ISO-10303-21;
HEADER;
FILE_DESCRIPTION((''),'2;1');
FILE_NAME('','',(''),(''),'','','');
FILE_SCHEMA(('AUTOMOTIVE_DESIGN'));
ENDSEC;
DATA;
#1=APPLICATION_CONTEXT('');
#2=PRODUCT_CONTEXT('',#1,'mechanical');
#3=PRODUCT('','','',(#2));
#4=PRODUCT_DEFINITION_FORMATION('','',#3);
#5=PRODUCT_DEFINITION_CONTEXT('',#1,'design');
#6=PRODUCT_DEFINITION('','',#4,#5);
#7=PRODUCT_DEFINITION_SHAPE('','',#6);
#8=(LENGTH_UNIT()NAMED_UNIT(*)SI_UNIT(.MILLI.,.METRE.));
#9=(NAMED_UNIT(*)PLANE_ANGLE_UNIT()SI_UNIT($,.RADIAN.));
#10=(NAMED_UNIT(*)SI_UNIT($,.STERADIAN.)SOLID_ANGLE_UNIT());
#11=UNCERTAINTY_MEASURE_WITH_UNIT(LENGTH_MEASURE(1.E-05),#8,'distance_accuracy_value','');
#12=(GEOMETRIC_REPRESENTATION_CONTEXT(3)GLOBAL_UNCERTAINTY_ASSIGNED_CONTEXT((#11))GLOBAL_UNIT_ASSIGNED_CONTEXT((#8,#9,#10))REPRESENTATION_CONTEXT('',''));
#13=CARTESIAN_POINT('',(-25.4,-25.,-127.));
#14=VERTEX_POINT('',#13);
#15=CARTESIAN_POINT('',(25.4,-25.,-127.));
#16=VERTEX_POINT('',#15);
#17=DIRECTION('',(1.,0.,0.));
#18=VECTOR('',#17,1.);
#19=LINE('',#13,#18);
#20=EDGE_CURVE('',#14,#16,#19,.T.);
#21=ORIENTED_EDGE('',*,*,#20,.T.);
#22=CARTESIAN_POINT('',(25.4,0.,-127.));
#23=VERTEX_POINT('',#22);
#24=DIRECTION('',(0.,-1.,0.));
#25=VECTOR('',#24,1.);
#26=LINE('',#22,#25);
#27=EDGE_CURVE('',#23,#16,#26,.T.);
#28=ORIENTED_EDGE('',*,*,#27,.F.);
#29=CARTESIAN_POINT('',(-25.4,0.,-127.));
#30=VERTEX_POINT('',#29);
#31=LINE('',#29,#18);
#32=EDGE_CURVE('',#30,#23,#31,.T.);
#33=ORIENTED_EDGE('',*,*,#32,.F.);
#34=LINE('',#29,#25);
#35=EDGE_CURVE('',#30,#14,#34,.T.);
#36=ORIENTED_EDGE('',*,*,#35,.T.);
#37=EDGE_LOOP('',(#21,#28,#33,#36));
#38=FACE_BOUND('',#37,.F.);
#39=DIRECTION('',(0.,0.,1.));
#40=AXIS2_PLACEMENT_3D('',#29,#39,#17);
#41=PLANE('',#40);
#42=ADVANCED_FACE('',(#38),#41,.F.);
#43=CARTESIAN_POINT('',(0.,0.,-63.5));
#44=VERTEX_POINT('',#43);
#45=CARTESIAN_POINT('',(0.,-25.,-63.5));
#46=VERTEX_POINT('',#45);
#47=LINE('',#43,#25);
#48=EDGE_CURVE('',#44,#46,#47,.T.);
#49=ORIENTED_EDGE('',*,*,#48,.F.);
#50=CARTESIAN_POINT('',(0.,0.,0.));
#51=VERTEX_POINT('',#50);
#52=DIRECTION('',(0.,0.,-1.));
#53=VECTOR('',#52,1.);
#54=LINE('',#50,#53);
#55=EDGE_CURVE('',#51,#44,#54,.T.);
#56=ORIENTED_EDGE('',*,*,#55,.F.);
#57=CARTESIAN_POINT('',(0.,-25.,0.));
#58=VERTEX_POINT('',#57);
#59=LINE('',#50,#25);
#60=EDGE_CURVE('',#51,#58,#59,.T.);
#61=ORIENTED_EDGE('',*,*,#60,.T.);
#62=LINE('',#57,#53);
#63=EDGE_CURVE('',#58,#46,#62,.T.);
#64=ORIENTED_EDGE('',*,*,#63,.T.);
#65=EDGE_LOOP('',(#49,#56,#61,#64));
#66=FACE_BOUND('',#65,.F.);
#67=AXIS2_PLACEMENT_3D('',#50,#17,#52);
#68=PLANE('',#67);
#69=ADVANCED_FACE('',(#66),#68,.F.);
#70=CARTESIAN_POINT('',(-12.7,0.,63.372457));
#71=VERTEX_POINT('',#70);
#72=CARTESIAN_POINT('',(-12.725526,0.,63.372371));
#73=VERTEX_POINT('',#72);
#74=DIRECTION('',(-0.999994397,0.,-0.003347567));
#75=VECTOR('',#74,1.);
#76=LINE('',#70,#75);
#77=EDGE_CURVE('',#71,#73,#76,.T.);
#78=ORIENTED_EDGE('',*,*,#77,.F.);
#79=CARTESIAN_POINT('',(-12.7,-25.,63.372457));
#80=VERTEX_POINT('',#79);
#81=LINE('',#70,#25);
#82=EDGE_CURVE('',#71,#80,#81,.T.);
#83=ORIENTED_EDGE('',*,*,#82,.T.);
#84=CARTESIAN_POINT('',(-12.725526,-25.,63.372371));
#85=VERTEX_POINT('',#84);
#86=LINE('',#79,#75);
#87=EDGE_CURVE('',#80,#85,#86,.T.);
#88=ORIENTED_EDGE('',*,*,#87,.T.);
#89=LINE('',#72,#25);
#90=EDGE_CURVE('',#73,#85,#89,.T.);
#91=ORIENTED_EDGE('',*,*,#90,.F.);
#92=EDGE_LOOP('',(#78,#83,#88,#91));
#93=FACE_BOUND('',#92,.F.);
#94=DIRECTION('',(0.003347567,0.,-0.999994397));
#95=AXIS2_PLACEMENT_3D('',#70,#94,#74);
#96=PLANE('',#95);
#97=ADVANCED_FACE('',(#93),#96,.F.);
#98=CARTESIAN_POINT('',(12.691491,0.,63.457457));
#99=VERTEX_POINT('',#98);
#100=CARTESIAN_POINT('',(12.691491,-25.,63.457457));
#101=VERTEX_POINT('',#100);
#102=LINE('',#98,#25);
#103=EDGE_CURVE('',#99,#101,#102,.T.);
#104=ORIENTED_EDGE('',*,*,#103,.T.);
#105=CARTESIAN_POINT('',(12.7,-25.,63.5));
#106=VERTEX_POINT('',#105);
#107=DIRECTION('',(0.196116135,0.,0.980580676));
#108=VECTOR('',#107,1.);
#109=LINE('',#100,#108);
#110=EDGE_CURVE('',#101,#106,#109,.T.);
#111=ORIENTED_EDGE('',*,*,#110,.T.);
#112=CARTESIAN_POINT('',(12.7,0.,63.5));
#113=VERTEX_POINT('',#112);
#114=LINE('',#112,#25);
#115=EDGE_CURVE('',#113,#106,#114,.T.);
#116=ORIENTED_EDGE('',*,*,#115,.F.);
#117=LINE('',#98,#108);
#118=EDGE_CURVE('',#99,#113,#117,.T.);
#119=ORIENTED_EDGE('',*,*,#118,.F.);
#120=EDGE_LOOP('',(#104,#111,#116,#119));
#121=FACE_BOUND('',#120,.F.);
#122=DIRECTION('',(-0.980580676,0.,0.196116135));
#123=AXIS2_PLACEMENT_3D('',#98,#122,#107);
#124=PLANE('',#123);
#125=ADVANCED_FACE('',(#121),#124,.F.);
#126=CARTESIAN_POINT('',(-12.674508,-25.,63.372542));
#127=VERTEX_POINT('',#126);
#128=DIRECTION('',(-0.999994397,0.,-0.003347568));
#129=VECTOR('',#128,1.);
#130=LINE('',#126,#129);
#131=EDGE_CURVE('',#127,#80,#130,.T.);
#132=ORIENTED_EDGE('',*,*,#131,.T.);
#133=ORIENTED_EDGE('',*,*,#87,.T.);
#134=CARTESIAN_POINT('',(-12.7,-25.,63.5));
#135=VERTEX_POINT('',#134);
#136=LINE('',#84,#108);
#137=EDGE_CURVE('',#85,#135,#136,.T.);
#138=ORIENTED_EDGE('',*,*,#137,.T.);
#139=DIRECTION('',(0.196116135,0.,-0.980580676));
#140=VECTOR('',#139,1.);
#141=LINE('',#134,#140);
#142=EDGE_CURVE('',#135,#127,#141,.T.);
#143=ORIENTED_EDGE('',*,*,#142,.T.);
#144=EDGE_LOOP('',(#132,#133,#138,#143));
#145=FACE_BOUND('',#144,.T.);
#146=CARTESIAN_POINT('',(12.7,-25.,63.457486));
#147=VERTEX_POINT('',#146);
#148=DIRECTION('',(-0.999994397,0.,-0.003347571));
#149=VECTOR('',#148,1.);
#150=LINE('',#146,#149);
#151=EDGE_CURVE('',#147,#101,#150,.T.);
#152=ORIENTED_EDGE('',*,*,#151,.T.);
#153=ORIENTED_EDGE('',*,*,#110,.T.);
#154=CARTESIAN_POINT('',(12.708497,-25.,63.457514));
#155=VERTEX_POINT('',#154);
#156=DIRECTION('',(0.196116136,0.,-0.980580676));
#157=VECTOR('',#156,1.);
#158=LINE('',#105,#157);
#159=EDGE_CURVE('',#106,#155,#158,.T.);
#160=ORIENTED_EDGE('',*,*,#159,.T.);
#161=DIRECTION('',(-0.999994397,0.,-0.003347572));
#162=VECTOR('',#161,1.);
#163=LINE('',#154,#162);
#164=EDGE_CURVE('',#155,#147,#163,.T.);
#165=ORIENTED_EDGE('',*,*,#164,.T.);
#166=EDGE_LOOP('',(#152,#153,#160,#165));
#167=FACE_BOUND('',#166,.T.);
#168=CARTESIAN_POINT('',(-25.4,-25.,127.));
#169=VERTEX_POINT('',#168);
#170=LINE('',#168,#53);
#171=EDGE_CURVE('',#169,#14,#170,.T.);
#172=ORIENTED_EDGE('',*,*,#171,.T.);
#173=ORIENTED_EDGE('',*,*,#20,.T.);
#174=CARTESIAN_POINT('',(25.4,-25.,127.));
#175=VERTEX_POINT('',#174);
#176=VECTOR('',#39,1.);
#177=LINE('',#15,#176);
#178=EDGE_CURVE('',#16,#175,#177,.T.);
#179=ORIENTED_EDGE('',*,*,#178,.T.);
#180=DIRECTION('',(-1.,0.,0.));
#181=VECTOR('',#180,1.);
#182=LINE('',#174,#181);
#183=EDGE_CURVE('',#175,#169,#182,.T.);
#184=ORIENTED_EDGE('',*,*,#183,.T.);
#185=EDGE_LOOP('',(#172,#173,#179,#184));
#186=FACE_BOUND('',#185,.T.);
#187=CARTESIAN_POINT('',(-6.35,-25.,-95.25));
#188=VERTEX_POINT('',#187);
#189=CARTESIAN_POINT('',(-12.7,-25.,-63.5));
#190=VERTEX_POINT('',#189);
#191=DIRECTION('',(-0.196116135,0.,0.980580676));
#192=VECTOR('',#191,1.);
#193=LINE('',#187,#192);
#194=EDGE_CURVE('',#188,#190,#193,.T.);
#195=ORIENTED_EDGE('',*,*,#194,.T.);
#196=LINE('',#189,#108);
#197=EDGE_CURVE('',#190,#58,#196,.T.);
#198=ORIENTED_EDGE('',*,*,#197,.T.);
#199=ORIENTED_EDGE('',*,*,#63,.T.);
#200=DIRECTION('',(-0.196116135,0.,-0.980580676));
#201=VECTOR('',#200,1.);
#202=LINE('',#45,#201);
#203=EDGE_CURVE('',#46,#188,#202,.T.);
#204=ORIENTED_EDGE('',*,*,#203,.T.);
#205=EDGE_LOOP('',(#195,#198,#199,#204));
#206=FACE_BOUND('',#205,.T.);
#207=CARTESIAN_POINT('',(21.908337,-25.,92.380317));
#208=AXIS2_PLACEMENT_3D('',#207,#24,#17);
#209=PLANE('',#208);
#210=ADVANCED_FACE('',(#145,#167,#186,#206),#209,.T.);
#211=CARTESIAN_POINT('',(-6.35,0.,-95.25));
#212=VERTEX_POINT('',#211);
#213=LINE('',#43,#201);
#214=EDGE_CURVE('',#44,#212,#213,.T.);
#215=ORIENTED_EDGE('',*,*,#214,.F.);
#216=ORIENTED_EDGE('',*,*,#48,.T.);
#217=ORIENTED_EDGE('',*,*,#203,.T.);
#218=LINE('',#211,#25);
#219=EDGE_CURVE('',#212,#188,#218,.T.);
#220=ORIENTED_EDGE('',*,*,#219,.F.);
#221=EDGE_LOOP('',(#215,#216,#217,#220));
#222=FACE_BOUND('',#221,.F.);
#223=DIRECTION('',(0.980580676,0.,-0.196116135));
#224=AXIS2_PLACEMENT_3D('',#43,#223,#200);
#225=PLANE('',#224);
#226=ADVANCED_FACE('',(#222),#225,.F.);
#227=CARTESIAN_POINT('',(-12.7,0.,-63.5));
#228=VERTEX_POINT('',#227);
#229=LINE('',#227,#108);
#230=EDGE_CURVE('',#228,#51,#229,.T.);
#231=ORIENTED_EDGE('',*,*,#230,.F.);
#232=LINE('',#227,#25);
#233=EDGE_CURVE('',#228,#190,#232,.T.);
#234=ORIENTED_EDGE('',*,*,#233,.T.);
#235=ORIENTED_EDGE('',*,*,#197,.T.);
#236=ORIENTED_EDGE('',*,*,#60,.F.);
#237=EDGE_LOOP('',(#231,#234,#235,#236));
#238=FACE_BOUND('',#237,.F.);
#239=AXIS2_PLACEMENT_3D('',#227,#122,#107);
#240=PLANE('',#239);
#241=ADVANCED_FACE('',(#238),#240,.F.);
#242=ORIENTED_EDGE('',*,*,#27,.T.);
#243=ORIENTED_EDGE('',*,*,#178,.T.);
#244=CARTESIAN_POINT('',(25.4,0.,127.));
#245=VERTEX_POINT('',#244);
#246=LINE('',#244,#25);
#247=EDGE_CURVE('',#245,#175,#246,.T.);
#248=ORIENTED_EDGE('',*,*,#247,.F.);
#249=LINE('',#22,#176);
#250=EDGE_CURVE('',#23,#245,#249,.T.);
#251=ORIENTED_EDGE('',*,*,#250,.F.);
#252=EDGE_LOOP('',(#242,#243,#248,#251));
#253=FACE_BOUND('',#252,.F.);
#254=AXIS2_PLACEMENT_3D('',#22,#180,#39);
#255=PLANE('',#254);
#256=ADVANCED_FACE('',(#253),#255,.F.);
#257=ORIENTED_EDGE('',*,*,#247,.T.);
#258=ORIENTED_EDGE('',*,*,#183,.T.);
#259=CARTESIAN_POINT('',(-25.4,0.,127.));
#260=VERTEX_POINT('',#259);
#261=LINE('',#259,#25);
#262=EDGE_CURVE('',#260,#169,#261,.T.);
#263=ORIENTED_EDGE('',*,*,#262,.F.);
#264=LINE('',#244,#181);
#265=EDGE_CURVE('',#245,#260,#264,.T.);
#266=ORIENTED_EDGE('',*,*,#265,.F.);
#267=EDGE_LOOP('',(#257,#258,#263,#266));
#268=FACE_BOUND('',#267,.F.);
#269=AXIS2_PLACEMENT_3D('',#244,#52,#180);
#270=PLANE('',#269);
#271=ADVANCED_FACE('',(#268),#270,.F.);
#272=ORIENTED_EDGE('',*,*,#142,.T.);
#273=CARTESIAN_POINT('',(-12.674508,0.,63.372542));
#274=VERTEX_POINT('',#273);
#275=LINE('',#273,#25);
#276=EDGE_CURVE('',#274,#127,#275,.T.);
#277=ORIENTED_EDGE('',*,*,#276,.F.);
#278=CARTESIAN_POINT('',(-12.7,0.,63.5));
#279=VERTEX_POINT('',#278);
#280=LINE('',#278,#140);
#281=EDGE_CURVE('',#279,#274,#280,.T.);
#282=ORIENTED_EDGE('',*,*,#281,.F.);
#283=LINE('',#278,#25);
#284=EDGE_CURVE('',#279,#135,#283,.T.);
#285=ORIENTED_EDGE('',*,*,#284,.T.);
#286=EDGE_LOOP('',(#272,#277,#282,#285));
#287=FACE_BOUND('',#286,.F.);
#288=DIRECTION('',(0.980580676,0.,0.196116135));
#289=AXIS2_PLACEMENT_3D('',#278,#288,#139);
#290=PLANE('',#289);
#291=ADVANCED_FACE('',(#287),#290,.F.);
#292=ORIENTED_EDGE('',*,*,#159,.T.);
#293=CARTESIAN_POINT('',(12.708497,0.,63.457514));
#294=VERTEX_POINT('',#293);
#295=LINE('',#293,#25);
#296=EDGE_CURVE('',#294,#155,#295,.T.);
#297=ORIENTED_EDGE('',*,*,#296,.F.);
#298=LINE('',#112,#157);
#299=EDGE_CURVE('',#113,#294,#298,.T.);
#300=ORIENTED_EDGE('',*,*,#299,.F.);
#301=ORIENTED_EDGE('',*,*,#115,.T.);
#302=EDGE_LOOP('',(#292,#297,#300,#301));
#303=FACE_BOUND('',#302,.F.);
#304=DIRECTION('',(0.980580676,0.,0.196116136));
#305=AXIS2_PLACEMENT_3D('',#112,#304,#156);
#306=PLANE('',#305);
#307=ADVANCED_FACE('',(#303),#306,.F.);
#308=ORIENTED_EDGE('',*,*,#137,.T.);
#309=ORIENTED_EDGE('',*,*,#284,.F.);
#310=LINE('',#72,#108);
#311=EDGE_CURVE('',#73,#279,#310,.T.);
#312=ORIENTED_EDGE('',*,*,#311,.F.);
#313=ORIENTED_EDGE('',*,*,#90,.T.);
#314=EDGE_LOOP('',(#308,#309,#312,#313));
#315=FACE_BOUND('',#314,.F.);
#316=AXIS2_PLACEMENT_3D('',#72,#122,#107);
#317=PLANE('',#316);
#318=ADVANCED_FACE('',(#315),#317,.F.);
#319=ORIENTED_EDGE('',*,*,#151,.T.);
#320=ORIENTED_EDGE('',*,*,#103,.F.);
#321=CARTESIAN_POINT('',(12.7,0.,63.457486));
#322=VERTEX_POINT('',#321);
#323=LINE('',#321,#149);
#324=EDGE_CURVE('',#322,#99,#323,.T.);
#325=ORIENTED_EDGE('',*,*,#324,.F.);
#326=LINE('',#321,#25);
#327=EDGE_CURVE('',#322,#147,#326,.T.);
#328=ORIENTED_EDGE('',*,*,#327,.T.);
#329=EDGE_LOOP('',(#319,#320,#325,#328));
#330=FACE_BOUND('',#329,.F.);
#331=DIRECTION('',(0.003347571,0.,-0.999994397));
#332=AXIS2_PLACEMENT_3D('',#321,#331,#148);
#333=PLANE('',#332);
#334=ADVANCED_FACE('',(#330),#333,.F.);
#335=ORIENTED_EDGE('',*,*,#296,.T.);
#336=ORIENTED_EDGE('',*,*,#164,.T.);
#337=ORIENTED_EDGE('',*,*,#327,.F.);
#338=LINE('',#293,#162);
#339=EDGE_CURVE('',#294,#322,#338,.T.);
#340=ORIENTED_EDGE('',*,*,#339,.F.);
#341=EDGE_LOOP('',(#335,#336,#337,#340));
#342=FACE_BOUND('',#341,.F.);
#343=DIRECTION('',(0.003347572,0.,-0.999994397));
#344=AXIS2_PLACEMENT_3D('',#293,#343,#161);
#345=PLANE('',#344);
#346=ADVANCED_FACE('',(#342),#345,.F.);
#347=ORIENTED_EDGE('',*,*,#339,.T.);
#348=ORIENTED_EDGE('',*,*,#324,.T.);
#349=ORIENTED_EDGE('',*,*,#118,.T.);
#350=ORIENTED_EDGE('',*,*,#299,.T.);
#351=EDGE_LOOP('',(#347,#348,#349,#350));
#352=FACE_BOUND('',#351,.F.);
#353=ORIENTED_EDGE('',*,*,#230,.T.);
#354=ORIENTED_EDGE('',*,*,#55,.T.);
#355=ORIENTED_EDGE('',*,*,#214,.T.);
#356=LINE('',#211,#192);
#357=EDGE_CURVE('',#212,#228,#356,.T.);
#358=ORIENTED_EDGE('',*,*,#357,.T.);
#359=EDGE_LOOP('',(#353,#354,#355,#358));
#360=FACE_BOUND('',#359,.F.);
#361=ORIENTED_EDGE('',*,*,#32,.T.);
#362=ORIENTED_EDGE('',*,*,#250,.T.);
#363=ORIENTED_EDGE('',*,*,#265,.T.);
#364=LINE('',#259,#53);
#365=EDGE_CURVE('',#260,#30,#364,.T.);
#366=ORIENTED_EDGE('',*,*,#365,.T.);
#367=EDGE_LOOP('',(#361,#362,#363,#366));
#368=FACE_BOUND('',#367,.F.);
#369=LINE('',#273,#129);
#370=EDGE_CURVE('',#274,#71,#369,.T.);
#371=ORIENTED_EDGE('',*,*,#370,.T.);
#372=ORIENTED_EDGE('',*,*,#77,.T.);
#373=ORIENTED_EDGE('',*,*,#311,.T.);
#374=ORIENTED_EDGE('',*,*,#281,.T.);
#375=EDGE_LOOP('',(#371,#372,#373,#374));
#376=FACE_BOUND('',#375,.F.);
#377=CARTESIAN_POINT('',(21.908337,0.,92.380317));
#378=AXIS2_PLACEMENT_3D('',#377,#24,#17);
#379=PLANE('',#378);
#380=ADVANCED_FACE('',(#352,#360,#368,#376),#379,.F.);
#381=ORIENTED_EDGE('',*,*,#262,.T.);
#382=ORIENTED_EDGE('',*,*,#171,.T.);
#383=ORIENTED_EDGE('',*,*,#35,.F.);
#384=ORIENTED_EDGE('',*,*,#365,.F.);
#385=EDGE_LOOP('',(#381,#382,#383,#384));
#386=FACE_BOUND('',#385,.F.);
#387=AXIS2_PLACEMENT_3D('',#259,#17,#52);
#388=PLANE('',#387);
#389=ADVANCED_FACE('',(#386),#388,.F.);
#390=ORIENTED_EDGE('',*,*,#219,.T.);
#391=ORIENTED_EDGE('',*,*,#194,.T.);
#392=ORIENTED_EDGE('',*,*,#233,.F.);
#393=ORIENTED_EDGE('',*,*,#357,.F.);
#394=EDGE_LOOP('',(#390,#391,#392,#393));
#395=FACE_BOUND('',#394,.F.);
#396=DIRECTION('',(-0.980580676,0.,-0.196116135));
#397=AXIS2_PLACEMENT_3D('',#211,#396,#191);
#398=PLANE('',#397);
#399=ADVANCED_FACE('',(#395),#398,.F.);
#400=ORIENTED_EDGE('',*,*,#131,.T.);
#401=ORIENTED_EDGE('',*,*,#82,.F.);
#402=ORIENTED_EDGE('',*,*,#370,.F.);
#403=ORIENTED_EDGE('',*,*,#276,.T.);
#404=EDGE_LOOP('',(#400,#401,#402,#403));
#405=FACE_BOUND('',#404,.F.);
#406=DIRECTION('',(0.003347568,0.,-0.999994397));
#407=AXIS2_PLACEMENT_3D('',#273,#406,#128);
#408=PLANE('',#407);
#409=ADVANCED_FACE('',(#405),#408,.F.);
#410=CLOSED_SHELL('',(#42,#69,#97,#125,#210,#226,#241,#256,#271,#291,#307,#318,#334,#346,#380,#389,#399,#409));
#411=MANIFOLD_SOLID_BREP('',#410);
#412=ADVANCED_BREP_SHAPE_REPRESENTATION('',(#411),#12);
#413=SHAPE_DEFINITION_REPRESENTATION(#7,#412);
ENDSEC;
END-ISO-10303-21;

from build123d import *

# Parameters (mm, degrees)
F1_DEPTH = 25
F2_DEPTH = 151.7347842455


with BuildPart() as f1:
    # F0 (on Front) → F1 (new body)
    with BuildSketch(Plane.XZ):
        Polygon((12.7084971848, 63.4575140762), (25.4, 63.5), (25.4, 127), (12.7, 63.5), align=None)
        Polygon((0, 0), (6.35, -31.75), (12.7, 0), align=None)
        Polygon((12.7, -127), (25.4, -127), (12.7, -63.5), align=None)
        Polygon((12.7, 63.5), (25.4, 127), (12.7, 127), align=None)
        Polygon((0, -127), (12.7, -127), (12.7, -63.5), align=None)
        Polygon((0, -63.5), (6.35, -31.75), (0, 0), align=None)
        Polygon((-12.7, -63.5), (-12.7, -127), (-6.35, -95.25), align=None)
        Polygon((12.7, -63.5), (25.4, -127), (25.4, -63.5), align=None)
        Polygon((12.7, -63.5), (25.4, -63.5), (25.4, 0), align=None)
        Polygon((0, 0), (12.7, 0), (12.7, 63.4574856311), (12.6914914296, 63.4574571479), align=None)
        Polygon((-25.4, -127), (-12.7, -63.5), (-25.4, -63.5), align=None)
        Polygon((-25.4, -127), (-12.7, -127), (-12.7, -63.5), align=None)
        Polygon((-12.7, -63.5), (0, 0), (-12.7, 0), align=None)
        Polygon((-25.4, 127), (-12.7, 63.5), (-12.7, 127), align=None)
        Polygon((-12.7, 0), (0, 0), (-12.6745084457, 63.3725422285), (-12.7, 63.3724568933), align=None)
        Polygon((0, -63.5), (12.7, -63.5), (6.35, -31.75), align=None)
        Polygon((0, 127), (12.7, 63.5), (12.7, 127), align=None)
        Polygon((12.7084971848, 63.4575140762), (25.4, 0), (25.4, 63.5), align=None)
        Polygon((-25.4, 63.3299425244), (-25.4, 0), (-12.7255257112, 63.3723714438), align=None)
        Polygon((6.35, -31.75), (12.7, -63.5), (12.7, 0), align=None)
        Polygon((-6.35, -95.25), (0, -127), (0, -63.5), align=None)
        Polygon((-12.7255257112, 63.3723714438), (-12.7, 63.5), (-25.4, 127), (-25.4, 63.3299425244), align=None)
        Polygon((-12.7, -127), (0, -127), (-6.35, -95.25), align=None)
        Polygon((12.7, 0), (12.7, -63.5), (25.4, 0), align=None)
        Polygon((0, -127), (12.7, -63.5), (0, -63.5), align=None)
        Polygon((12.7, 0), (25.4, 0), (12.7084971848, 63.4575140762), (12.7, 63.4574856311), align=None)
        Polygon((-25.4, -63.5), (-12.7, -63.5), (-25.4, 0), align=None)
        Polygon((-25.4, 0), (-12.7, -63.5), (-12.7, 0), align=None)
        Polygon((12.6914914296, 63.4574571479), (12.7, 63.5), (0, 127), (0, 63.4149712622), align=None)
        Polygon((-12.7, 63.5), (-12.6745084457, 63.3725422285), (0, 63.4149712622), (0, 127), align=None)
        Polygon((-25.4, 0), (-12.7, 0), (-12.7, 63.3724568933), (-12.7255257112, 63.3723714438), align=None)
        Polygon((-12.7, 63.5), (0, 127), (-12.7, 127), align=None)
        Polygon((-12.6745084457, 63.3725422285), (0, 0), (0, 63.4149712622), align=None)
        Polygon((0, 63.4149712622), (0, 0), (12.6914914296, 63.4574571479), align=None)
    extrude(amount=F1_DEPTH)

    # F0 (on Front) → F2 (cut)
    with BuildSketch(Plane.XZ):
        Polygon((0, 0), (12.7, 0), (12.7, 63.4574856311), (12.6914914296, 63.4574571479), align=None)
        Polygon((6.35, -31.75), (12.7, -63.5), (12.7, 0), align=None)
        Polygon((12.7, 0), (25.4, 0), (12.7084971848, 63.4575140762), (12.7, 63.4574856311), align=None)
        Polygon((-25.4, 0), (-12.7, 0), (-12.7, 63.3724568933), (-12.7255257112, 63.3723714438), align=None)
        Polygon((0, 0), (6.35, -31.75), (12.7, 0), align=None)
        Polygon((-12.7, 0), (0, 0), (-12.6745084457, 63.3725422285), (-12.7, 63.3724568933), align=None)
        Polygon((12.7, 0), (12.7, -63.5), (25.4, 0), align=None)
        Polygon((-12.7, -63.5), (0, 0), (-12.7, 0), align=None)
        Polygon((-25.4, 0), (-12.7, -63.5), (-12.7, 0), align=None)
    extrude(amount=-F2_DEPTH, mode=Mode.SUBTRACT)


solid = f1.part
